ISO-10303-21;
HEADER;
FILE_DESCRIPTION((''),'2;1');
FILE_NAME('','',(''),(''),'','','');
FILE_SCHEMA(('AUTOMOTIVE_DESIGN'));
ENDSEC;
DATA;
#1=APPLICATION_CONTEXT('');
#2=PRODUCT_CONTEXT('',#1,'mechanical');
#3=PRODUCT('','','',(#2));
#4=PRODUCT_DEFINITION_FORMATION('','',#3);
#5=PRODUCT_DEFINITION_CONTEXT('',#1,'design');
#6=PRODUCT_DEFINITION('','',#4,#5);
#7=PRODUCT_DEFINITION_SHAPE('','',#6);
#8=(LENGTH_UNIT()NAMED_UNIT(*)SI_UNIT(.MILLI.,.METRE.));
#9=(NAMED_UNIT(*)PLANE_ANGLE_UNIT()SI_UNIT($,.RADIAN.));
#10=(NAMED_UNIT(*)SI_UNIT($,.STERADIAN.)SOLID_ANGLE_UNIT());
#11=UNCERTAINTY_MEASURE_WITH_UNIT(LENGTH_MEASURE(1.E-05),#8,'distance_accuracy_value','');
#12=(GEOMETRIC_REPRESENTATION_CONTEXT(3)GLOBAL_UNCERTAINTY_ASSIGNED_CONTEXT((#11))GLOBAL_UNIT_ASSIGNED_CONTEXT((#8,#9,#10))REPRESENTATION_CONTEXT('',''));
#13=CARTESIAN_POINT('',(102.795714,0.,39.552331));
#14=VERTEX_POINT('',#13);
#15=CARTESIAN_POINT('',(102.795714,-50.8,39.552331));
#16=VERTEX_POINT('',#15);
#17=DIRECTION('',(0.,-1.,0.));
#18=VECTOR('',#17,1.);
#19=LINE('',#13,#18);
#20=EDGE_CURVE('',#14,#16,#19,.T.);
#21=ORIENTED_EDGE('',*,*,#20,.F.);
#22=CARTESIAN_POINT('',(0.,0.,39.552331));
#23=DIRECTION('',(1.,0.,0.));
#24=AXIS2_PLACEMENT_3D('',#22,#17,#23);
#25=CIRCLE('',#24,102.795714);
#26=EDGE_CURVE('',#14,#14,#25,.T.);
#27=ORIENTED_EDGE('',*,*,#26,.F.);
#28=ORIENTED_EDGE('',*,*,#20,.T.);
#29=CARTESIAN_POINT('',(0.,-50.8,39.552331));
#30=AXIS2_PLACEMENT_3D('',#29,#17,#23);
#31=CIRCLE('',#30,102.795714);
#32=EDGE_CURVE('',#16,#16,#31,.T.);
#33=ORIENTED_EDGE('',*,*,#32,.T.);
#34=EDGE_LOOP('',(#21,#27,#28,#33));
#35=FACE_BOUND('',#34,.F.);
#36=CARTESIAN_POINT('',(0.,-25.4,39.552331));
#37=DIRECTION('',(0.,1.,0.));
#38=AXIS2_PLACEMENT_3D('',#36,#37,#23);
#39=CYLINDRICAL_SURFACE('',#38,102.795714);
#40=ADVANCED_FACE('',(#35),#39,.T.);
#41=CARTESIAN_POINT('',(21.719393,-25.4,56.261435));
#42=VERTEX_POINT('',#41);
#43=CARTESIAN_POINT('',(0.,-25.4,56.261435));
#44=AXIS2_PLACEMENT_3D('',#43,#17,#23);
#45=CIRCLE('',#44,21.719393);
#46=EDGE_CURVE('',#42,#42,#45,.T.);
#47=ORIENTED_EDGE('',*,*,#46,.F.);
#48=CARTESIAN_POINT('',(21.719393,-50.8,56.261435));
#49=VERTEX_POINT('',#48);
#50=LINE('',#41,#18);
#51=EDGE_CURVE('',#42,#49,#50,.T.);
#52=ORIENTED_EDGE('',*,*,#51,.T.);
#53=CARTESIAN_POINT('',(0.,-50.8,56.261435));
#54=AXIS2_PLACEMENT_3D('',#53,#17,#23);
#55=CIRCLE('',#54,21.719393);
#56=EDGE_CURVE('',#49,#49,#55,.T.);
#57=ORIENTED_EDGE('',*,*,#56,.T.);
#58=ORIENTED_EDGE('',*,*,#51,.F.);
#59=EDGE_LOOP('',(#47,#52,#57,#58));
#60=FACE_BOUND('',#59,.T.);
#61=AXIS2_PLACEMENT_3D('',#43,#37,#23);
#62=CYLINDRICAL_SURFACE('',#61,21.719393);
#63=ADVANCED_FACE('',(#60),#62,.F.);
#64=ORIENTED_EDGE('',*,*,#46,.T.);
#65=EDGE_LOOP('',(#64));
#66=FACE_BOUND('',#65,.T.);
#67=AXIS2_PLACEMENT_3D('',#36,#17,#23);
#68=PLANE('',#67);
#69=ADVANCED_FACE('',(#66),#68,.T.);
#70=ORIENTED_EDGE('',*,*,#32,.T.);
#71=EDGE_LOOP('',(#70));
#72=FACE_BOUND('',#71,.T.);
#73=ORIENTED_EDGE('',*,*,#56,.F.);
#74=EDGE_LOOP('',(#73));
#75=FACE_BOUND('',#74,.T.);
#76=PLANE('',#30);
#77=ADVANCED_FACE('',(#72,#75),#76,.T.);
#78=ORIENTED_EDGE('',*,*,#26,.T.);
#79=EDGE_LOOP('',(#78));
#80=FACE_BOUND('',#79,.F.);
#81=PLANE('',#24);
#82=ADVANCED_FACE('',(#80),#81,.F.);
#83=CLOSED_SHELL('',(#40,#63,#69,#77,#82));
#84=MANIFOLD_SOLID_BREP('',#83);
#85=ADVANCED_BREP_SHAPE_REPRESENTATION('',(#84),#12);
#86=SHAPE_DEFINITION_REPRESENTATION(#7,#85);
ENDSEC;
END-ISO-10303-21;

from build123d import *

# Parameters (mm, degrees)
F0_R     = 102.795714
F2_DEPTH = 25.4
F3_R     = 102.795714
F3_R_2   = 21.719393
F4_DEPTH = 25.4


with BuildPart() as f2:
    # F0 (on Front) → F2 (new body)
    with BuildSketch(Plane.XZ):
        with Locations((0, 39.552331)):
            Circle(F0_R)
    extrude(amount=F2_DEPTH)

    # F3 (on face) → F4 (join)
    with BuildSketch(Plane.XZ.offset(25.4)):
        with Locations((0, 39.552331)):
            Circle(F3_R)
        with Locations((0, 56.261435)):
            Circle(F3_R_2, mode=Mode.SUBTRACT)
    extrude(amount=F4_DEPTH)


solid = f2.part
